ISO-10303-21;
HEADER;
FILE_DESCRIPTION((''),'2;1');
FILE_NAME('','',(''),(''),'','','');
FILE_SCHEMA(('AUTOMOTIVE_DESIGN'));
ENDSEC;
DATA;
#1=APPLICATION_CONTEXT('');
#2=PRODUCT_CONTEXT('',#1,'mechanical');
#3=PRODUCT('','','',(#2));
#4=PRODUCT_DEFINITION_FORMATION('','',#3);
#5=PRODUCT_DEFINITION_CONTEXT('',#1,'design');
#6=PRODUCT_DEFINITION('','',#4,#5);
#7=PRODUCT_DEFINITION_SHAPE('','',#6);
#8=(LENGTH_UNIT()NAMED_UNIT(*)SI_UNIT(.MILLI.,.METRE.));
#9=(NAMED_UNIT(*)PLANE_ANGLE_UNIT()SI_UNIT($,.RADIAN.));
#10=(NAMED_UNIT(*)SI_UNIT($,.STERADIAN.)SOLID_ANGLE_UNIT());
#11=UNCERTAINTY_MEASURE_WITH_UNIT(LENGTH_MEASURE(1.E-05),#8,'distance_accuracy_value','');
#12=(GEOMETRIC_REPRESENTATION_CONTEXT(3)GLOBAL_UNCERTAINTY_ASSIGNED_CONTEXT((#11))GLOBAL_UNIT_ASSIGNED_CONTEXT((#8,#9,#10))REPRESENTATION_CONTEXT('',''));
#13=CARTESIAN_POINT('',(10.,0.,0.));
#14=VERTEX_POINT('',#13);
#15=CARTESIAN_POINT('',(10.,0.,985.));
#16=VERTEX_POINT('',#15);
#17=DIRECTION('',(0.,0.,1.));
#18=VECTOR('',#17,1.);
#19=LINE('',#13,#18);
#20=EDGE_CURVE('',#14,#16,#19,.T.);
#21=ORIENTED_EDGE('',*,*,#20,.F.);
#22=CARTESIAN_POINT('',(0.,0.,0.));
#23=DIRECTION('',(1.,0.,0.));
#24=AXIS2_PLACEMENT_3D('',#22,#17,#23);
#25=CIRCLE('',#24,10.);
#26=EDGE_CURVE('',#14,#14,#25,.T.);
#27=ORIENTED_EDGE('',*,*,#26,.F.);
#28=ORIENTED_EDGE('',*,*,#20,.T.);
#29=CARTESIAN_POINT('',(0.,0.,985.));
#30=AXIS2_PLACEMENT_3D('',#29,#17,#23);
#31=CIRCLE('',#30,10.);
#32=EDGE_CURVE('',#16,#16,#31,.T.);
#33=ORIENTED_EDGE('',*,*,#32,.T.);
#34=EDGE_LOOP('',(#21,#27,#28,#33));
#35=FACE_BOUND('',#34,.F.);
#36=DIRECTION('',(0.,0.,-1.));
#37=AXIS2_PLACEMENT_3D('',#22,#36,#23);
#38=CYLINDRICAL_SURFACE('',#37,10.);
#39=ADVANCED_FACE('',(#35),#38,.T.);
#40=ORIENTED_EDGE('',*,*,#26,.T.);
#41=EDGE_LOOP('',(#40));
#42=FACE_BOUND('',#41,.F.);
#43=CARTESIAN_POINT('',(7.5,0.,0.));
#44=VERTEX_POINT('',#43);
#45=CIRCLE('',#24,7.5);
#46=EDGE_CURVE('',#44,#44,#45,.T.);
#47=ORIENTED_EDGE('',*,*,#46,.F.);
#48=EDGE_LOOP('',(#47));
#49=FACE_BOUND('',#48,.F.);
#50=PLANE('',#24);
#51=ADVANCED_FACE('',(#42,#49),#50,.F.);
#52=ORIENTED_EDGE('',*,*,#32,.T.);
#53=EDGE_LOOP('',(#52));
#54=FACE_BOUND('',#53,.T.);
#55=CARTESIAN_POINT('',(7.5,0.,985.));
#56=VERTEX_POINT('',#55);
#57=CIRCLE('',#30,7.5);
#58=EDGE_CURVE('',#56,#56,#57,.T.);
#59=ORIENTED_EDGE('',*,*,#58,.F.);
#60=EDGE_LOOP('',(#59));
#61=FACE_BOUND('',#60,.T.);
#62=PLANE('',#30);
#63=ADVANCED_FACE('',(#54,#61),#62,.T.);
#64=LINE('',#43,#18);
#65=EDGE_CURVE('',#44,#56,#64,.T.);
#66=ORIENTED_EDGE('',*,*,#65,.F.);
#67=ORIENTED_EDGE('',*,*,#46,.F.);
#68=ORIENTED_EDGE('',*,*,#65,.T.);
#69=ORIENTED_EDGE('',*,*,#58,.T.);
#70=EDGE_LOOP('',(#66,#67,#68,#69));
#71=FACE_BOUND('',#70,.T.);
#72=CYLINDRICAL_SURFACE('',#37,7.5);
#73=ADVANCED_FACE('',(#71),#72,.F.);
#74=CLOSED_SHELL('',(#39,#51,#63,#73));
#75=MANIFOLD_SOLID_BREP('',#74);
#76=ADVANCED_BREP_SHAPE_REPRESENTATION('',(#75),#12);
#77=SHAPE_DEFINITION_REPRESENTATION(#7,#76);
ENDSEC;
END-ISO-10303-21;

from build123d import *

# Parameters (mm, degrees)
F0_R     = 10
F0_R_2   = 7.5
F1_DEPTH = 985
F3_DEPTH = 1005


with BuildPart() as f1:
    # F0 (on Top) → F1 (new body)
    with BuildSketch(Plane.XY):
        Circle(F0_R)
        Circle(F0_R_2, mode=Mode.SUBTRACT)
    extrude(amount=F1_DEPTH)


with BuildPart() as f3:
    # F0 (on Top) → F3 (new body)
    with BuildSketch(Plane.XY):
        with Locations((149.209142, -44.897571)):
            Circle(F0_R)
        with Locations((149.209142, -44.897571)):
            Circle(F0_R_2, mode=Mode.SUBTRACT)
    extrude(amount=F3_DEPTH)


solid = f1.part
